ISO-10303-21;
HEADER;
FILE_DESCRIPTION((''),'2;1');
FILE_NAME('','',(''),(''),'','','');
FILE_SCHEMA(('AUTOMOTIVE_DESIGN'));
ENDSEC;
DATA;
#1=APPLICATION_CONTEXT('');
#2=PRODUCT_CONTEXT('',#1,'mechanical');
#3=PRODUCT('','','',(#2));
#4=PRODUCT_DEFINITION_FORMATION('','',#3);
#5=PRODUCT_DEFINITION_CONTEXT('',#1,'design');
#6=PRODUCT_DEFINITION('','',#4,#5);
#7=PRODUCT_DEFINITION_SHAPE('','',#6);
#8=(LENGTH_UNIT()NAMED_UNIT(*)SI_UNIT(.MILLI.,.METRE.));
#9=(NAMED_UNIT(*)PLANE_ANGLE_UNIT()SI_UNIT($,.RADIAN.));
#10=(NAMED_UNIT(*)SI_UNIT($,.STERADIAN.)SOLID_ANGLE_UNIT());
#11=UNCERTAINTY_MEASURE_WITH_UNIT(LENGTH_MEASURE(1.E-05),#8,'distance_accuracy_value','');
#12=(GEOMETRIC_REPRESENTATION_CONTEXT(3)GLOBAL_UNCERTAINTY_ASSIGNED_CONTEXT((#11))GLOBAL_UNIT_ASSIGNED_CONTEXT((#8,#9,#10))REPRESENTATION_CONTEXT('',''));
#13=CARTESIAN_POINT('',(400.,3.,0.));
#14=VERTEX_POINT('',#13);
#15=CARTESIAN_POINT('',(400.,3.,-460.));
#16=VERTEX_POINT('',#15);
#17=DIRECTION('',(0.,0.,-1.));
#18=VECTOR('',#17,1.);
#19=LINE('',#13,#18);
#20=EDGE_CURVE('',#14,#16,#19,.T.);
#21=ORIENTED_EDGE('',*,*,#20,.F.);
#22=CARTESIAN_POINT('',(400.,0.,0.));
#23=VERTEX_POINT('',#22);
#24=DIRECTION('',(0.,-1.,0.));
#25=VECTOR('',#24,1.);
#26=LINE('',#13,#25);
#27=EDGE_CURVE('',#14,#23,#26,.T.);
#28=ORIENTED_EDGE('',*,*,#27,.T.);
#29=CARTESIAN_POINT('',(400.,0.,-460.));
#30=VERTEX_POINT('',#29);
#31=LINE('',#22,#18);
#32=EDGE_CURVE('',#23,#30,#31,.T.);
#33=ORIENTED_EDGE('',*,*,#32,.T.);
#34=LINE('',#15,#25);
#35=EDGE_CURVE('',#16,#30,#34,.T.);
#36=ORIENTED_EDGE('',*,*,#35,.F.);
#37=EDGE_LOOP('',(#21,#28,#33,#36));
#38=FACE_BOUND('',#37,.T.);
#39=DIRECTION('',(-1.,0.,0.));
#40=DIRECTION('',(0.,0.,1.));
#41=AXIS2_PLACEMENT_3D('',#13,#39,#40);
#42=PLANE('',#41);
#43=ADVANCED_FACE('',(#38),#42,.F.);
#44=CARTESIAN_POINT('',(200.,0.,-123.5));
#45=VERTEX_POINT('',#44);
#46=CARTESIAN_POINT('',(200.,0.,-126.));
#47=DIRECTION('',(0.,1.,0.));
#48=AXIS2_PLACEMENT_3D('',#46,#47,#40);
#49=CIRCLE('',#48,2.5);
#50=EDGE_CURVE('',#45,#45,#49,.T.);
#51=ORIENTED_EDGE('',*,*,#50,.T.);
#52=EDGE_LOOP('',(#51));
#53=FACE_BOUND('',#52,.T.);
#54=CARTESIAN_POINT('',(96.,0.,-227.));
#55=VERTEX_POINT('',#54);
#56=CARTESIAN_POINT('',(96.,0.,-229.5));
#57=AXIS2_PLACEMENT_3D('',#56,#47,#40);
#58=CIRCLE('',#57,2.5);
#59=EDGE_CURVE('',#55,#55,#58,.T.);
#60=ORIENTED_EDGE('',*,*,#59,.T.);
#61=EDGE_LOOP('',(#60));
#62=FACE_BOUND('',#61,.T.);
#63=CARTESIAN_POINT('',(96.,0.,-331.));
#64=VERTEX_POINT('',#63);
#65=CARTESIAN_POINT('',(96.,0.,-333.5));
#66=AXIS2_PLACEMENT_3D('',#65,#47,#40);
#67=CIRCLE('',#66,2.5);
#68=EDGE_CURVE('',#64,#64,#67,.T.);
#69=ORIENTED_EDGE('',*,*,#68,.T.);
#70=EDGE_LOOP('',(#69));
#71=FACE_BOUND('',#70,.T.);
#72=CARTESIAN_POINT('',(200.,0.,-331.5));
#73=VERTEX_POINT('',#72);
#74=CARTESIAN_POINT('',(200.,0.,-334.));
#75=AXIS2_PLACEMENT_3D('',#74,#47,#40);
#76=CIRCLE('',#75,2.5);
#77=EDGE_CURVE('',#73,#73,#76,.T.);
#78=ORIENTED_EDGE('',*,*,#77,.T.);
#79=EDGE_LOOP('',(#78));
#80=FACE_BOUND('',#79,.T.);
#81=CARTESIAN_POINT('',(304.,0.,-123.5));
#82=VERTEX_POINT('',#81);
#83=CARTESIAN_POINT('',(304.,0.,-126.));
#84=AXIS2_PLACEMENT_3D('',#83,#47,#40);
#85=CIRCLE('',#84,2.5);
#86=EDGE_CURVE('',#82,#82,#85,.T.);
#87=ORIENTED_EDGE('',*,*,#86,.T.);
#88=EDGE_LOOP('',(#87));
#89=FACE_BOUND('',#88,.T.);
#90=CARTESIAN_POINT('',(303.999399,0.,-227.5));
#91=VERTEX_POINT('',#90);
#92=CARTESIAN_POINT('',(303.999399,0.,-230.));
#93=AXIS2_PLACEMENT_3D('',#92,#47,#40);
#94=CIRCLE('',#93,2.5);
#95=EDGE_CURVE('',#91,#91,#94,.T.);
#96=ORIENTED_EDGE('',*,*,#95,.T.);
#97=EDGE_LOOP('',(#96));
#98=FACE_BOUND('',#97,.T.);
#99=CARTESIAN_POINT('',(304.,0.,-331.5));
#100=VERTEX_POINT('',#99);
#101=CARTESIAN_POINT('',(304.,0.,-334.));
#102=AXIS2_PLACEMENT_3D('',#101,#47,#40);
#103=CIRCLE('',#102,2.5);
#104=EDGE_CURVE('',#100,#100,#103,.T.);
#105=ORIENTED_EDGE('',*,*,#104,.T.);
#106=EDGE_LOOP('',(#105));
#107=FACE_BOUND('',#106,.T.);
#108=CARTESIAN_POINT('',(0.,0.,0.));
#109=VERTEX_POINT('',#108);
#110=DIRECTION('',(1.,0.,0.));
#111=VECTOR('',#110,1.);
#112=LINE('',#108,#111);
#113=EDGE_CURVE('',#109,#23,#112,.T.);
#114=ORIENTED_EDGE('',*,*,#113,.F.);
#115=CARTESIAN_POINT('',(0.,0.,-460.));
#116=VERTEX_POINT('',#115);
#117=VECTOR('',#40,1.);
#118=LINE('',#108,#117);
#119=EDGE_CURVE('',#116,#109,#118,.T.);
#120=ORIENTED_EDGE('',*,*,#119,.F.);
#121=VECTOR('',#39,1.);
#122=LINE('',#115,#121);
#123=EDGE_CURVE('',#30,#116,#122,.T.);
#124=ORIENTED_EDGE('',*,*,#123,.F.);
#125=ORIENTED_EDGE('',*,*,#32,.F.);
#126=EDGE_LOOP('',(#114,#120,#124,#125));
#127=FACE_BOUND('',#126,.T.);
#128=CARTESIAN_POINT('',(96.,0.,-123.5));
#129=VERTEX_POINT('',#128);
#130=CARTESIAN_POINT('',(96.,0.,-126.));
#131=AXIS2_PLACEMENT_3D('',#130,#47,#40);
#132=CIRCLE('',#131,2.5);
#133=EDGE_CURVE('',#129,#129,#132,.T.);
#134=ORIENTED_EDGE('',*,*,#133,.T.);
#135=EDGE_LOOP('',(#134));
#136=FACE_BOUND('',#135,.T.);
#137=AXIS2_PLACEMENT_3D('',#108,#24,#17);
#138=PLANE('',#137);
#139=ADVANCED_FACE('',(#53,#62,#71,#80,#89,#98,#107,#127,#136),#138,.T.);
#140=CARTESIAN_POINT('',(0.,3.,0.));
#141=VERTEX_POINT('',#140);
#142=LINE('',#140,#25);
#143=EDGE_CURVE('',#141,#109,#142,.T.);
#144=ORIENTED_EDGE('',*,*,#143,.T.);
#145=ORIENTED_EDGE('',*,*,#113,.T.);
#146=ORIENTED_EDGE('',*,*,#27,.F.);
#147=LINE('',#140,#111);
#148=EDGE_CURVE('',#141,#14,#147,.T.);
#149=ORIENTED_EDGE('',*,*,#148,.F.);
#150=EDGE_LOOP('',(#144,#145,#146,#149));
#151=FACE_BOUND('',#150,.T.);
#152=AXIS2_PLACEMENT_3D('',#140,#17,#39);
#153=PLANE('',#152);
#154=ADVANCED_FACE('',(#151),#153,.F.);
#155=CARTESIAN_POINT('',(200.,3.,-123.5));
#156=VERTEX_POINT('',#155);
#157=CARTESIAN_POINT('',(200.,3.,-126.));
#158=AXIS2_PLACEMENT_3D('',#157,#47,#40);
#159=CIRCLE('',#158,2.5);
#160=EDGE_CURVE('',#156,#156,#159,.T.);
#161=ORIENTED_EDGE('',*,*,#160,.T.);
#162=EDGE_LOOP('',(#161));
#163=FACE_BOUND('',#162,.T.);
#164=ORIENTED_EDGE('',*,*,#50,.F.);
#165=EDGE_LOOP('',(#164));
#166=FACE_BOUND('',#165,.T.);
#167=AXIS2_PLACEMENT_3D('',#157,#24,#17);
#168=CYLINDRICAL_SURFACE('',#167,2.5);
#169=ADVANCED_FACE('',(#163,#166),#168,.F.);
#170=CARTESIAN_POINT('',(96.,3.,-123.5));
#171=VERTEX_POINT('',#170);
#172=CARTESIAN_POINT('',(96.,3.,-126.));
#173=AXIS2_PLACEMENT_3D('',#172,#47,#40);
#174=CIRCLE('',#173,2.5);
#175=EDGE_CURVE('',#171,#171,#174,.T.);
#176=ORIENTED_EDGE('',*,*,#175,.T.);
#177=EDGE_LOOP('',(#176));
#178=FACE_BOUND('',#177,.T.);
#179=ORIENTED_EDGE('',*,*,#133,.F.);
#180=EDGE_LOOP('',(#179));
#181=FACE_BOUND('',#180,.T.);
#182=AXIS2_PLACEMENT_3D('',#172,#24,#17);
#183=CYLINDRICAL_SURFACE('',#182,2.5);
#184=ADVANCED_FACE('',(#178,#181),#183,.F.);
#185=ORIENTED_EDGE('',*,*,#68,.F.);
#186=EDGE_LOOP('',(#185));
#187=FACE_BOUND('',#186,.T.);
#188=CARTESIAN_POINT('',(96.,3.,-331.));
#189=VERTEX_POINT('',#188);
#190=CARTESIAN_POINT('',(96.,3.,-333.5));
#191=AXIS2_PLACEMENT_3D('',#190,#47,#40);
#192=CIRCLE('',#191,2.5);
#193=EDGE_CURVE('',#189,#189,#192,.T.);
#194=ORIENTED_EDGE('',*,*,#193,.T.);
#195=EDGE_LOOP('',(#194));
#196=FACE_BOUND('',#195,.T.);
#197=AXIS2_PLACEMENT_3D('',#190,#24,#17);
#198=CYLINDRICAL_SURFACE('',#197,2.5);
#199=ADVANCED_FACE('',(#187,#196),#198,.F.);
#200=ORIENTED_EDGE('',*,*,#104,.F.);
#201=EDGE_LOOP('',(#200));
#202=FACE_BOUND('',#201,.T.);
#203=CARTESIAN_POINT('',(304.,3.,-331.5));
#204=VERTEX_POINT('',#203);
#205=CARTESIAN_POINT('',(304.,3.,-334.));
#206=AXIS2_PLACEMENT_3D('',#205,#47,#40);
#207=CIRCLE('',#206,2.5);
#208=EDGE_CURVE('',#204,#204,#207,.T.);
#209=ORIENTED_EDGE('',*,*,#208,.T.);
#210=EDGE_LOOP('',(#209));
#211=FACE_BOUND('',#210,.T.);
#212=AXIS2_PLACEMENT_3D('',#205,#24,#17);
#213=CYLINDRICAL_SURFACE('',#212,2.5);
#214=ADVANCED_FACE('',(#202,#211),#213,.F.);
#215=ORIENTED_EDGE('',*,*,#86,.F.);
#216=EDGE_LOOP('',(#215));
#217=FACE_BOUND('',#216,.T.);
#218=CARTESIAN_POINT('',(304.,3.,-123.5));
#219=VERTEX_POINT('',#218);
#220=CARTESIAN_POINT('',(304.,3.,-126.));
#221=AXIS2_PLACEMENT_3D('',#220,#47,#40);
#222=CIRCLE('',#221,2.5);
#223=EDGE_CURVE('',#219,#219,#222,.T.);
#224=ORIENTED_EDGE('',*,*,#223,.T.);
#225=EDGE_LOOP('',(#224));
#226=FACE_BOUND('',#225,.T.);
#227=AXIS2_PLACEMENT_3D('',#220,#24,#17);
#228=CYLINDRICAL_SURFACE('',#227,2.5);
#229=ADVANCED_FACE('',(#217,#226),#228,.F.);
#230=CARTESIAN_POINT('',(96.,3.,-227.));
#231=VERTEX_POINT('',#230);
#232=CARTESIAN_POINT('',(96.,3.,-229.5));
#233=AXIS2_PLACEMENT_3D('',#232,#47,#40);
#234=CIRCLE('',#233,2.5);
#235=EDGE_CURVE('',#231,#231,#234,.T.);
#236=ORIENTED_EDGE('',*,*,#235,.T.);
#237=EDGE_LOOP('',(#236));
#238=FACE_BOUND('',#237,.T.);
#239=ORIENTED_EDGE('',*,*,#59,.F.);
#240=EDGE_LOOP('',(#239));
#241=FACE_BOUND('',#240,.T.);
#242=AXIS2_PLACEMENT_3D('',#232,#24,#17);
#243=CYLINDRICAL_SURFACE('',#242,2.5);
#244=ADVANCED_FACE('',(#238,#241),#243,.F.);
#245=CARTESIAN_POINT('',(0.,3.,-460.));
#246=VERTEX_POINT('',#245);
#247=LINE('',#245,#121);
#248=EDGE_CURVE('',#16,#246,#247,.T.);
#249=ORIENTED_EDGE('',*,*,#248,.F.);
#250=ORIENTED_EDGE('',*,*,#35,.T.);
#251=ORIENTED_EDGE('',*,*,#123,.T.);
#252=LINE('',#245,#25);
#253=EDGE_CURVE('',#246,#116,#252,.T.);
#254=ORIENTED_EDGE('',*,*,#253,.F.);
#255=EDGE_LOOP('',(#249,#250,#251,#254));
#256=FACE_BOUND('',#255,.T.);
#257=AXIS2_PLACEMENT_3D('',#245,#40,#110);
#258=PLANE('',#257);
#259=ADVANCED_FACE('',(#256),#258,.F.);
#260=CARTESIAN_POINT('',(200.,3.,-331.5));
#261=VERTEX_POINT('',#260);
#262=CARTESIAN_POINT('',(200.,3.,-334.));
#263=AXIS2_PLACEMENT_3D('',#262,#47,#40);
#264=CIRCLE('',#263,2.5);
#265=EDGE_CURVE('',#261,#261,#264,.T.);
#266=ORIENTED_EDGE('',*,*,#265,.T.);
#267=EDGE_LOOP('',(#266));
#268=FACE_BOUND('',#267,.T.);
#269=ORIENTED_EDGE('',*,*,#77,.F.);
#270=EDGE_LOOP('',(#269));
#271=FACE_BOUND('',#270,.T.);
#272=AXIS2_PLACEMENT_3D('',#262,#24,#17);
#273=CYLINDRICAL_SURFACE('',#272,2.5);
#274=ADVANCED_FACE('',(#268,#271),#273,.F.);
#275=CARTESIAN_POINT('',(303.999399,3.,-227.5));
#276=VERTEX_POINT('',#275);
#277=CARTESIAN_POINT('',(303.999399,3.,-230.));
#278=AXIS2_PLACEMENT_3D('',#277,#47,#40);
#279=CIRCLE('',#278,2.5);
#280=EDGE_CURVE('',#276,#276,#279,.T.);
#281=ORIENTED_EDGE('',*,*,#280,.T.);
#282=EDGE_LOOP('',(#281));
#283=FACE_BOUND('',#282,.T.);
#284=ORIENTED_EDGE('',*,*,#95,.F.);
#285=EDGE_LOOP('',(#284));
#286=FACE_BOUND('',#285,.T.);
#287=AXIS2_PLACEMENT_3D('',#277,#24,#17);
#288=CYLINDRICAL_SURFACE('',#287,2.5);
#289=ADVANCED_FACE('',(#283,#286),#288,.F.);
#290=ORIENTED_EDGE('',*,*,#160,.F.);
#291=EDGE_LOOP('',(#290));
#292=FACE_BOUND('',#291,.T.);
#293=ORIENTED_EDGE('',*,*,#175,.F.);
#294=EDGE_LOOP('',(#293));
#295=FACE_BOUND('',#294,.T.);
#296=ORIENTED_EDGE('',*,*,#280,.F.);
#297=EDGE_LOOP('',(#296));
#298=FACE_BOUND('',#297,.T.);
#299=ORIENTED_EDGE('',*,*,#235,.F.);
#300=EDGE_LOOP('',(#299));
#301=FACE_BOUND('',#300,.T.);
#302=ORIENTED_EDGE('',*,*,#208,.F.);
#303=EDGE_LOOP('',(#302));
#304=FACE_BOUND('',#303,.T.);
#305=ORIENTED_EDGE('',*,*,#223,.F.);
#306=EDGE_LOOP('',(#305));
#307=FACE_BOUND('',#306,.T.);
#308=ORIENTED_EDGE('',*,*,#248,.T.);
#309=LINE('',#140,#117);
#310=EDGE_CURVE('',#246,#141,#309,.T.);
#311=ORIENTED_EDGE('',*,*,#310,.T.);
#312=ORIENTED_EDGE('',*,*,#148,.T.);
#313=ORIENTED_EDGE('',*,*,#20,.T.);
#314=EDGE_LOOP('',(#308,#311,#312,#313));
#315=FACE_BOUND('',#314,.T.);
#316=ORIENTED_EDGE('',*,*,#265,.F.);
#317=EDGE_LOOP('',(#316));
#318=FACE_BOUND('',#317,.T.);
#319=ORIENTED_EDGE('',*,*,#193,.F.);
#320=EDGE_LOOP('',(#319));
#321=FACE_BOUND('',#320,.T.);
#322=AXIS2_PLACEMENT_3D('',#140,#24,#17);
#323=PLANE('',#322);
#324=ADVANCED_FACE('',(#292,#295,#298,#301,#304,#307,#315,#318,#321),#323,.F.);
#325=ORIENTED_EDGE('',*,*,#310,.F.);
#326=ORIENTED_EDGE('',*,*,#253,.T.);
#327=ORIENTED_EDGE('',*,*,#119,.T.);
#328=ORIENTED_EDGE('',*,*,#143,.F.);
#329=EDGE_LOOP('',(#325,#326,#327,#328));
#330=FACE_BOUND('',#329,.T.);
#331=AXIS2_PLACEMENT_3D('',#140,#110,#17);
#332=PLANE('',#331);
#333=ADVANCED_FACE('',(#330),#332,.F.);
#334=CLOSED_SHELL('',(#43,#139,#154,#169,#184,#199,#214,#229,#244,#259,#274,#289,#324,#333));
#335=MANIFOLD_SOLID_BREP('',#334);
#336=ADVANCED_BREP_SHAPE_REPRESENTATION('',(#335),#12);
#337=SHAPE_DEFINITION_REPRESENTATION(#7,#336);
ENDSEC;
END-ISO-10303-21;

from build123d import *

# Parameters (mm, degrees)
SKETCH1_W           = 400
SKETCH1_H           = 460
SKETCH1_R           = 2.5
BOSS_EXTRUDE1_DEPTH = 3


with BuildPart() as part:
    # Sketch1 → Boss-Extrude1 (new body)
    with BuildSketch(Plane(origin=(0, 0, 0), x_dir=(1, 0, 0), z_dir=(0, 1, 0))):
        with Locations((200, 230)):
            Rectangle(SKETCH1_W, SKETCH1_H)
        with Locations(Location((96, 126, 0), (0, 0, 270))):
            Circle(SKETCH1_R, mode=Mode.SUBTRACT)
        with Locations(Location((96, 333.5, 0), (0, 0, 270))):
            Circle(SKETCH1_R, mode=Mode.SUBTRACT)
        with Locations(Location((304, 334, 0), (0, 0, 270))):
            Circle(SKETCH1_R, mode=Mode.SUBTRACT)
        with Locations(Location((304, 126, 0), (0, 0, 270))):
            Circle(SKETCH1_R, mode=Mode.SUBTRACT)
        with Locations(Location((200, 126, 0), (0, 0, 270))):
            Circle(SKETCH1_R, mode=Mode.SUBTRACT)
        with Locations(Location((200, 334, 0), (0, 0, 270))):
            Circle(SKETCH1_R, mode=Mode.SUBTRACT)
        with Locations(Location((303.999399038, 230.000000002, 0), (0, 0, 270))):
            Circle(SKETCH1_R, mode=Mode.SUBTRACT)
        with Locations(Location((96, 229.5, 0), (0, 0, 270))):
            Circle(SKETCH1_R, mode=Mode.SUBTRACT)
    extrude(amount=BOSS_EXTRUDE1_DEPTH)


solid = part.part
